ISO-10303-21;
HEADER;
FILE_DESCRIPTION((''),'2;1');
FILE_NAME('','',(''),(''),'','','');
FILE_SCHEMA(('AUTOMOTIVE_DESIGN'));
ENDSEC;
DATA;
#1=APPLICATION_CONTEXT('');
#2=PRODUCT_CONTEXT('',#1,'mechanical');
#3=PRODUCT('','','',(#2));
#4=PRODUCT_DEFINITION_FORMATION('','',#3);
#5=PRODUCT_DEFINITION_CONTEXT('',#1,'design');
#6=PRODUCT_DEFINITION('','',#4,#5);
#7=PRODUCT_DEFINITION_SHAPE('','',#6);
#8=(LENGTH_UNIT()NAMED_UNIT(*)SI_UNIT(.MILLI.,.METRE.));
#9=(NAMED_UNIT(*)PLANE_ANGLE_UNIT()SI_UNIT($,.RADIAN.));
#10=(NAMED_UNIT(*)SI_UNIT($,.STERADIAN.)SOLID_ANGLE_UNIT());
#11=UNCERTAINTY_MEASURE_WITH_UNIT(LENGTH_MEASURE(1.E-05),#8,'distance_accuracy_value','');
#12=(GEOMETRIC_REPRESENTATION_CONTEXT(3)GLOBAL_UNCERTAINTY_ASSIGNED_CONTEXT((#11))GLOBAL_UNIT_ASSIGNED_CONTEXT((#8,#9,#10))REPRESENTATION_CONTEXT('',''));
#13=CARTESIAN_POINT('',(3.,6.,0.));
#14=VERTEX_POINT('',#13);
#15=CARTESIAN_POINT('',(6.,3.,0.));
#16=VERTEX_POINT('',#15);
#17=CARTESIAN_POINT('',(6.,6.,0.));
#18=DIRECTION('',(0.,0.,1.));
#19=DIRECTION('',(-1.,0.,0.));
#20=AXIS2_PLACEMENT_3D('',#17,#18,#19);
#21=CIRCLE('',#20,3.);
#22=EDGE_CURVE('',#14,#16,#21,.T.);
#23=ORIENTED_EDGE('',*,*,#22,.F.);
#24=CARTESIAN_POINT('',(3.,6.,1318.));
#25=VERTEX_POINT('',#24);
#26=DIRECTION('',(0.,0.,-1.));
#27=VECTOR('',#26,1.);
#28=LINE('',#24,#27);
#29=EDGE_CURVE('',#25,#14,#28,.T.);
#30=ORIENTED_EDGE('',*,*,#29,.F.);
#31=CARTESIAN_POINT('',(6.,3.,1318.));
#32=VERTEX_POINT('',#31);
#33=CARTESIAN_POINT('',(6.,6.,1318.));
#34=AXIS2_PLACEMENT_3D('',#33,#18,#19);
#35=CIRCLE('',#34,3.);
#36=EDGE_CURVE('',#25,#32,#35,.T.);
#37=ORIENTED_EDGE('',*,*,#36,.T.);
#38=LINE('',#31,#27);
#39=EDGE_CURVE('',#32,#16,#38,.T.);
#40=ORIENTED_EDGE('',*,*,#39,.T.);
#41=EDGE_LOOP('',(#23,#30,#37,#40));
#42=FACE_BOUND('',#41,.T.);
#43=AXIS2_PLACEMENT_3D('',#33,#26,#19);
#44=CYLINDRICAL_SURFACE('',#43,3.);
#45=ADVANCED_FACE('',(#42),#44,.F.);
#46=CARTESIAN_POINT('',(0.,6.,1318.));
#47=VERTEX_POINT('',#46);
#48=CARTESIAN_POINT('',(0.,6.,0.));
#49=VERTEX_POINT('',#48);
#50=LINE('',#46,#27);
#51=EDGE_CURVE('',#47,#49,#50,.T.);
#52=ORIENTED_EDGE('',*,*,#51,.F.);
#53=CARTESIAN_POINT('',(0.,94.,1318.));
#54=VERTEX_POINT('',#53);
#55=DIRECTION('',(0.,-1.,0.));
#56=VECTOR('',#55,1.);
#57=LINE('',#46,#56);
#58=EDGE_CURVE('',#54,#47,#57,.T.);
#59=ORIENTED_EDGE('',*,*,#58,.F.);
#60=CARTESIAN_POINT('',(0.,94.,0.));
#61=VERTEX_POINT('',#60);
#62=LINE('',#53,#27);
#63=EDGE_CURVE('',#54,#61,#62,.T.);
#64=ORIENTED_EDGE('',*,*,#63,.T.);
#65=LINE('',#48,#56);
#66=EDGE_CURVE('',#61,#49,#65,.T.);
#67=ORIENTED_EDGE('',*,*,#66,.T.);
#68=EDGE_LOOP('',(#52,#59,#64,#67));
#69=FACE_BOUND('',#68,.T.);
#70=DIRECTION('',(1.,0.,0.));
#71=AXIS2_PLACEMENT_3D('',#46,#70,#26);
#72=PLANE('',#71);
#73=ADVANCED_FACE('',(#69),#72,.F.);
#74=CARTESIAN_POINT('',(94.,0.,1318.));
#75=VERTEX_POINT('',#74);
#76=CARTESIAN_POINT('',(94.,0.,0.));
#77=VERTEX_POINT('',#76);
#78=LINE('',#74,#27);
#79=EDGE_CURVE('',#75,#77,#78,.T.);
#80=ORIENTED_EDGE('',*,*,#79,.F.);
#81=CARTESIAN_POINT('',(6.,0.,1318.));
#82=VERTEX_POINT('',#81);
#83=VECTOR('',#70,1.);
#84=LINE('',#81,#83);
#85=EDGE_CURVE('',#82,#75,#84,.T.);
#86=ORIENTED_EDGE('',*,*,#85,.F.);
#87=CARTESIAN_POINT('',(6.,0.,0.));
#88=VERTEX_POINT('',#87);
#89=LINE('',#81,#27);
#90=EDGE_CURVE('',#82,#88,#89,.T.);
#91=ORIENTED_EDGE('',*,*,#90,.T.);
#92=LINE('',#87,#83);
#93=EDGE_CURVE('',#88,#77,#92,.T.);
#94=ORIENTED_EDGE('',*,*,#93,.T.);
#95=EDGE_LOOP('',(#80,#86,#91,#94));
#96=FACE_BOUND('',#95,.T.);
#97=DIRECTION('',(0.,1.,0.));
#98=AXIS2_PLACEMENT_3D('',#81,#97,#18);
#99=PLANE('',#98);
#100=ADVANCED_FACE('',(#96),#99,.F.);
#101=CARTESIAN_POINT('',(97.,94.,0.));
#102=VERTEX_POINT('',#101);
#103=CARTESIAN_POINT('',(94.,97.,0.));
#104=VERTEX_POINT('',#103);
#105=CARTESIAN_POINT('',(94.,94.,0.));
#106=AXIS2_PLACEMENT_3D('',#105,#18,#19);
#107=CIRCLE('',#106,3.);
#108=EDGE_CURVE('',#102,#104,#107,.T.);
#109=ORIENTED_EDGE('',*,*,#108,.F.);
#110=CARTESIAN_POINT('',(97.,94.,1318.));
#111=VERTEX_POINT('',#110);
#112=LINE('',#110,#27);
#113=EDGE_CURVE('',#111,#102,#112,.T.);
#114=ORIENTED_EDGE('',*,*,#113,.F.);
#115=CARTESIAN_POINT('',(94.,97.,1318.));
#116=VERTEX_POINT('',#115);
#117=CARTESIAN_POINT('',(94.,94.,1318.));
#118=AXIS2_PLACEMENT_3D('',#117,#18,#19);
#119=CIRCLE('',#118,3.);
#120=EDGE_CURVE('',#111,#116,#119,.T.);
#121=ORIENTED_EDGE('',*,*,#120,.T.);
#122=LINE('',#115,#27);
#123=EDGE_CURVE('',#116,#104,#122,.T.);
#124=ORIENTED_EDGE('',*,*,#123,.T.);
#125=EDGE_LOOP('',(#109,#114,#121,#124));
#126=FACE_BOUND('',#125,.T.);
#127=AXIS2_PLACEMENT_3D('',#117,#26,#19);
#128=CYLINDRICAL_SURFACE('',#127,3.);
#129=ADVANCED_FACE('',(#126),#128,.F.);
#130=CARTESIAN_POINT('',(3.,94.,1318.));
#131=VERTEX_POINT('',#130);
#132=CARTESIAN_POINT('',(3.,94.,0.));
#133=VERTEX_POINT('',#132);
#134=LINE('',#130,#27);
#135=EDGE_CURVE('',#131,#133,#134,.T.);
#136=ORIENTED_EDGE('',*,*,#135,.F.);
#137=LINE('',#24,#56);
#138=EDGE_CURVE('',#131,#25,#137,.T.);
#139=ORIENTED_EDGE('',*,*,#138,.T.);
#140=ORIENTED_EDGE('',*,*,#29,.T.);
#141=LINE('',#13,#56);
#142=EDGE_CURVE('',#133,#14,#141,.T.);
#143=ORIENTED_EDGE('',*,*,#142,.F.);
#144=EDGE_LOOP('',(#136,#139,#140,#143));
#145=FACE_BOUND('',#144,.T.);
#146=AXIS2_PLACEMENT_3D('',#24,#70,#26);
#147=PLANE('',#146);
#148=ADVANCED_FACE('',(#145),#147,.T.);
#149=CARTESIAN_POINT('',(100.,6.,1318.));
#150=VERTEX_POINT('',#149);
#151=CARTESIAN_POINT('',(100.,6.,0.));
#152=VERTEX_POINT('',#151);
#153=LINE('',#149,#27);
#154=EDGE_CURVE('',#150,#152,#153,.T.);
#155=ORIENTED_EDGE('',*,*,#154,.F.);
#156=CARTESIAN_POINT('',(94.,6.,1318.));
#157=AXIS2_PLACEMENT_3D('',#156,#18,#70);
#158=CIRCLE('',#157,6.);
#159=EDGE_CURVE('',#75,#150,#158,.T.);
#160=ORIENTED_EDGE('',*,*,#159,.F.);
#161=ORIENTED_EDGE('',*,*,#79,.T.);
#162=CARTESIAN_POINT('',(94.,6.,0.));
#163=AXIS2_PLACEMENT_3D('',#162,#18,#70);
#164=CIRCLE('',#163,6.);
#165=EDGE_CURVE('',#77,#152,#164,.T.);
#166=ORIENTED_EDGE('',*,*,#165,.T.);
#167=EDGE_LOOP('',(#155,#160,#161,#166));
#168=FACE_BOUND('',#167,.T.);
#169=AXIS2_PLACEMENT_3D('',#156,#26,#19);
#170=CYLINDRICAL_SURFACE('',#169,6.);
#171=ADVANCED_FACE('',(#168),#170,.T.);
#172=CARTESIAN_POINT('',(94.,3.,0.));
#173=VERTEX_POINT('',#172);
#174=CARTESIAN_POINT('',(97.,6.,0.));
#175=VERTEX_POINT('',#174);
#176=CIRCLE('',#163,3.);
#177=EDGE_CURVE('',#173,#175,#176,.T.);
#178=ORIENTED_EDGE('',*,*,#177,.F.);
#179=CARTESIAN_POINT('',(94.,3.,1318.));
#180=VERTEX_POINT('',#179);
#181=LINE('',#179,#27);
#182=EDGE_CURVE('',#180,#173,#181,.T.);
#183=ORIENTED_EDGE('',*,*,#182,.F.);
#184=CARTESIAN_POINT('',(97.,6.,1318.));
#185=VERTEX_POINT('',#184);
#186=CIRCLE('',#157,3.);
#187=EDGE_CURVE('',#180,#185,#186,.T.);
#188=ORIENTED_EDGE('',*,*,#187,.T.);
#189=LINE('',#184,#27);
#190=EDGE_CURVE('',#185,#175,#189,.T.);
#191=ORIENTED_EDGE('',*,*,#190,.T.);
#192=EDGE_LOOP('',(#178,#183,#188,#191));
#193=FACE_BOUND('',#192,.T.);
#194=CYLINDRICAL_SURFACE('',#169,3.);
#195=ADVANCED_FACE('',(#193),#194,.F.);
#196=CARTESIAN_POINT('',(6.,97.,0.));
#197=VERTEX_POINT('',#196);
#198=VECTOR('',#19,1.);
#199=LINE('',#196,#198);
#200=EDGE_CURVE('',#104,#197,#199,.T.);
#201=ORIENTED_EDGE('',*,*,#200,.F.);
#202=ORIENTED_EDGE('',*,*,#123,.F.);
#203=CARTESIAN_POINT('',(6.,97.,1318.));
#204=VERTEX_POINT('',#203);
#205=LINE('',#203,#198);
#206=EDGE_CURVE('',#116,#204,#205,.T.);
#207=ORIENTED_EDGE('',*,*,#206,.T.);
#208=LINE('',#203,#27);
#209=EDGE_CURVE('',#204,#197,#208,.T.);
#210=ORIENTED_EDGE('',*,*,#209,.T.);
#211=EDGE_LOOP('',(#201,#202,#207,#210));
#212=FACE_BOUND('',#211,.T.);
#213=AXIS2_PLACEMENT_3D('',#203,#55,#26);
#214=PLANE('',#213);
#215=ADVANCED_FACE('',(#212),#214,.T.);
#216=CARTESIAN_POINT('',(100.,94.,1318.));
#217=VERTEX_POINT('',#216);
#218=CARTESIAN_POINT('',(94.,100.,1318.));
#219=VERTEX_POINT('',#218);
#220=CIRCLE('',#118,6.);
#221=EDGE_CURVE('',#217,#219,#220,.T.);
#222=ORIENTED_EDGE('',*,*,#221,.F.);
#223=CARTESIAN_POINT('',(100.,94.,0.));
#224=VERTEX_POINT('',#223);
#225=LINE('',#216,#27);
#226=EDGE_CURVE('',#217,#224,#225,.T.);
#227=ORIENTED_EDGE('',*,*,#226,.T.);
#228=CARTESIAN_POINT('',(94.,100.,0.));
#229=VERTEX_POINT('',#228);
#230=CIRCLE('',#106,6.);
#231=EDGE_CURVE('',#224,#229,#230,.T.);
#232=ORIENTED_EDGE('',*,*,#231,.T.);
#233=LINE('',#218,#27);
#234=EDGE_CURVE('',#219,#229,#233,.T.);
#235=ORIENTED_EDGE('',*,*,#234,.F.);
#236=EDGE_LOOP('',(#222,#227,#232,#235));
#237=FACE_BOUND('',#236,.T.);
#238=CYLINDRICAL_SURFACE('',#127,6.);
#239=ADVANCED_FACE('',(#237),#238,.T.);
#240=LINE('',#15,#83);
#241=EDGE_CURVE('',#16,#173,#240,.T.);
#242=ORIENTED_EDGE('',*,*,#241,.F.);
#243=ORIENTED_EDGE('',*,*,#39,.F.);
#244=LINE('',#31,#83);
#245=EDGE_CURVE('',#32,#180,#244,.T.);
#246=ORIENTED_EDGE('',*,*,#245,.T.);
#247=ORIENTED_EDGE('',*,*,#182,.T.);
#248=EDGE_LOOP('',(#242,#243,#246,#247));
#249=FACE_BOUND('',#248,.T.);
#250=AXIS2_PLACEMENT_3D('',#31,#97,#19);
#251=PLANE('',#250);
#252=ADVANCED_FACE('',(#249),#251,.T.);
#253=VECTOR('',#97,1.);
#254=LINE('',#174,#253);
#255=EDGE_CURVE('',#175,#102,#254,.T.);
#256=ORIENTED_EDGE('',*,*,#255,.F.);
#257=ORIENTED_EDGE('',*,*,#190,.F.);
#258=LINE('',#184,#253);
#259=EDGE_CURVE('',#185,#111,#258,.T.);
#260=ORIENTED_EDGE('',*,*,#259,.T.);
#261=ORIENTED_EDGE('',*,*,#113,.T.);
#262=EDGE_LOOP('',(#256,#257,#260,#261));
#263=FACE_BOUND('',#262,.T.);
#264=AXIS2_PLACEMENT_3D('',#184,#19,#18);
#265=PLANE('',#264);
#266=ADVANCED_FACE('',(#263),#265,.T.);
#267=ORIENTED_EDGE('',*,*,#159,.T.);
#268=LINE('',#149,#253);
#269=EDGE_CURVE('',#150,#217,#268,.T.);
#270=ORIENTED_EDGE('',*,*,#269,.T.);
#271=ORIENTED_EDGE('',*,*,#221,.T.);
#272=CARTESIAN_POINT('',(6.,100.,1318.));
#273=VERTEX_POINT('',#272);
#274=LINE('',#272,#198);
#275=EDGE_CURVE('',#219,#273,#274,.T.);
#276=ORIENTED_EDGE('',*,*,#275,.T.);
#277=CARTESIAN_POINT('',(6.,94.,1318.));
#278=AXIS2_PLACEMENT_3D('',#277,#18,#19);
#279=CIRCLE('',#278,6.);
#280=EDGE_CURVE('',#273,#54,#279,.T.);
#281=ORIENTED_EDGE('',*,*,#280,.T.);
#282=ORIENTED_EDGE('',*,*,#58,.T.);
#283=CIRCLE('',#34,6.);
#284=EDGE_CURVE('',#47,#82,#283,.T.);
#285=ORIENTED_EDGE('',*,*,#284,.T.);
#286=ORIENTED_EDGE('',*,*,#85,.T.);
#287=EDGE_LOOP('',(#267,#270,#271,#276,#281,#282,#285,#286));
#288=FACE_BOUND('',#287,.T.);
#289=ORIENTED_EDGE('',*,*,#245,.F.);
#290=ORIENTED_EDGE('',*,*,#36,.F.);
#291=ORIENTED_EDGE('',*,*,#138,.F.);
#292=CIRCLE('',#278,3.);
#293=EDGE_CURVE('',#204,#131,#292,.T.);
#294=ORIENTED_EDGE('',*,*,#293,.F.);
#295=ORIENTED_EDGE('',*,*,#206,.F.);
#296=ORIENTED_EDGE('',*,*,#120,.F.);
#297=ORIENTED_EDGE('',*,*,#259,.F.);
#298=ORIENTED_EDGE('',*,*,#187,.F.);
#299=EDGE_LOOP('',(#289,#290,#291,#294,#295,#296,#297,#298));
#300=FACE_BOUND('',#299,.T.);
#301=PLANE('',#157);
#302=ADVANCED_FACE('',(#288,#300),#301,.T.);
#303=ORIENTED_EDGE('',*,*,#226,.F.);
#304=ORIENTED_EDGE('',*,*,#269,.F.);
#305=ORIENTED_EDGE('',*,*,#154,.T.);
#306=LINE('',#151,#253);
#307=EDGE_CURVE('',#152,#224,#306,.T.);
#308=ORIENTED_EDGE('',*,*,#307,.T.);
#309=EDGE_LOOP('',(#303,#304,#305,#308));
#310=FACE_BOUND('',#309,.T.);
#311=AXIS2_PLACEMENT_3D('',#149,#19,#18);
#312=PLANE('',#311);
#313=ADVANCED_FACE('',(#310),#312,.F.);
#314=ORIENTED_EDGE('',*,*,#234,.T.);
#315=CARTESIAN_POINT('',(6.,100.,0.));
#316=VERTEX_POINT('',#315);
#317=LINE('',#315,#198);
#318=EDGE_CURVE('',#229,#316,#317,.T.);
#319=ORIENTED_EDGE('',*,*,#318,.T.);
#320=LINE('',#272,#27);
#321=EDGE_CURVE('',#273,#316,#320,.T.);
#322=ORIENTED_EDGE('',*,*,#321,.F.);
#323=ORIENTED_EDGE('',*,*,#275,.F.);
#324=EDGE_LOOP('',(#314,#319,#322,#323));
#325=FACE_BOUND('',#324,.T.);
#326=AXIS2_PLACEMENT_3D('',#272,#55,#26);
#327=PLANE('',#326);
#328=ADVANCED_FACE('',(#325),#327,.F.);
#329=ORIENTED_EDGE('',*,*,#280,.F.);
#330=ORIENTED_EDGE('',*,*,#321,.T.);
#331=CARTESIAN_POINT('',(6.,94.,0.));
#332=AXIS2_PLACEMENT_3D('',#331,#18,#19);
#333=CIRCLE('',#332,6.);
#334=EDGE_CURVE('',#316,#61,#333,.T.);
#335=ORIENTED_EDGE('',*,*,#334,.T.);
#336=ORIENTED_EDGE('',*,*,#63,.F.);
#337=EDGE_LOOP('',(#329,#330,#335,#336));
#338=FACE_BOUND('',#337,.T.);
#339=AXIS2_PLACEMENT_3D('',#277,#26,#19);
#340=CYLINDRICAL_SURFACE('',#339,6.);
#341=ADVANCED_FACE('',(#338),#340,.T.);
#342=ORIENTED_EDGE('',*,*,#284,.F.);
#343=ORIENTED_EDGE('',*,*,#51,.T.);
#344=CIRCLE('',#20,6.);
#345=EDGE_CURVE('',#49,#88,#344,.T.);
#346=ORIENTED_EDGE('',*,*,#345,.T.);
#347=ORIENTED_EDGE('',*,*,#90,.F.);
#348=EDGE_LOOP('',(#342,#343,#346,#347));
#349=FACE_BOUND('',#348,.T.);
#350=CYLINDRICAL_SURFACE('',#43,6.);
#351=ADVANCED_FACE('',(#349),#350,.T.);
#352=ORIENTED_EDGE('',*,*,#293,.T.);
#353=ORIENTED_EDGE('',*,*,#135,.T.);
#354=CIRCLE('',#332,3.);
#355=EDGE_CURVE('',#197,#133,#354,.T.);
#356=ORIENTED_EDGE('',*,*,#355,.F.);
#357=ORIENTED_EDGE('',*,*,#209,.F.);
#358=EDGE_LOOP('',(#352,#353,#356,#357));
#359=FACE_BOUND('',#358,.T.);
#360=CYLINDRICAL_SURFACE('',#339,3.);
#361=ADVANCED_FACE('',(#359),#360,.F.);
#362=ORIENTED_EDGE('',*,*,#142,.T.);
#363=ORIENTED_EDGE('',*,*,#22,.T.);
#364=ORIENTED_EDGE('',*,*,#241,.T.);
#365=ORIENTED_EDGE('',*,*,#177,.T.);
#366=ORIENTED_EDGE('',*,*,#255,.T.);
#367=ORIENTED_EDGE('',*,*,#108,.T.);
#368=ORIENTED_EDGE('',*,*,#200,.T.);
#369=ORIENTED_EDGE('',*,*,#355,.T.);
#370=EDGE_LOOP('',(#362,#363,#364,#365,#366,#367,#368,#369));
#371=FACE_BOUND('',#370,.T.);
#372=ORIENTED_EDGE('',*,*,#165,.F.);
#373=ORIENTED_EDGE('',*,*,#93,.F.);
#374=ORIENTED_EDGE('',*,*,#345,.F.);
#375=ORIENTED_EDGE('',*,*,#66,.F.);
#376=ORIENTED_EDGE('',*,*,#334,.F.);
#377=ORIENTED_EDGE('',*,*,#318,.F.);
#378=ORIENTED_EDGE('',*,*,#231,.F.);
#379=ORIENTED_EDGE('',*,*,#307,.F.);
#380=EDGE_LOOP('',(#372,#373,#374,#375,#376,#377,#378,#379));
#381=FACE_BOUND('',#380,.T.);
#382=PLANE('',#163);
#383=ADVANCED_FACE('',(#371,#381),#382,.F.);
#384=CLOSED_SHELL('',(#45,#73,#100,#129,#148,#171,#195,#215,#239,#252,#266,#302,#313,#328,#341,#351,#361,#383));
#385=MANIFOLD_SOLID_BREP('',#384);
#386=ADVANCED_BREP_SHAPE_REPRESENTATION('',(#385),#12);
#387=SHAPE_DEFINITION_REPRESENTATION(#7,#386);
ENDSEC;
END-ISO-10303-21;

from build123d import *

# Parameters (mm, degrees)
BOSS_EXTRUDE1_DEPTH = 1318


with BuildPart() as part:
    # Sketch1 → Boss-Extrude1 (new body)
    with BuildSketch(Plane.XY):
        with BuildLine():
            Line((6, 0), (94, 0))
            ThreePointArc((94, 0), (98.242640687, 1.757359313), (100, 6))
            Line((100, 6), (100, 94))
            ThreePointArc((100, 94), (98.242640687, 98.242640687), (94, 100))
            Line((94, 100), (6, 100))
            ThreePointArc((6, 100), (1.757359313, 98.242640687), (0, 94))
            Line((0, 94), (0, 6))
            ThreePointArc((0, 6), (1.757359313, 1.757359313), (6, 0))
        make_face()
        with BuildLine():
            Line((3, 6), (3, 94))
            ThreePointArc((3, 94), (3.878679656, 96.121320344), (6, 97))
            Line((6, 97), (94, 97))
            ThreePointArc((94, 97), (96.121320344, 96.121320344), (97, 94))
            Line((97, 94), (97, 6))
            ThreePointArc((97, 6), (96.121320344, 3.878679656), (94, 3))
            Line((94, 3), (6, 3))
            ThreePointArc((6, 3), (3.878679656, 3.878679656), (3, 6))
        make_face(mode=Mode.SUBTRACT)
    extrude(amount=BOSS_EXTRUDE1_DEPTH)


solid = part.part
